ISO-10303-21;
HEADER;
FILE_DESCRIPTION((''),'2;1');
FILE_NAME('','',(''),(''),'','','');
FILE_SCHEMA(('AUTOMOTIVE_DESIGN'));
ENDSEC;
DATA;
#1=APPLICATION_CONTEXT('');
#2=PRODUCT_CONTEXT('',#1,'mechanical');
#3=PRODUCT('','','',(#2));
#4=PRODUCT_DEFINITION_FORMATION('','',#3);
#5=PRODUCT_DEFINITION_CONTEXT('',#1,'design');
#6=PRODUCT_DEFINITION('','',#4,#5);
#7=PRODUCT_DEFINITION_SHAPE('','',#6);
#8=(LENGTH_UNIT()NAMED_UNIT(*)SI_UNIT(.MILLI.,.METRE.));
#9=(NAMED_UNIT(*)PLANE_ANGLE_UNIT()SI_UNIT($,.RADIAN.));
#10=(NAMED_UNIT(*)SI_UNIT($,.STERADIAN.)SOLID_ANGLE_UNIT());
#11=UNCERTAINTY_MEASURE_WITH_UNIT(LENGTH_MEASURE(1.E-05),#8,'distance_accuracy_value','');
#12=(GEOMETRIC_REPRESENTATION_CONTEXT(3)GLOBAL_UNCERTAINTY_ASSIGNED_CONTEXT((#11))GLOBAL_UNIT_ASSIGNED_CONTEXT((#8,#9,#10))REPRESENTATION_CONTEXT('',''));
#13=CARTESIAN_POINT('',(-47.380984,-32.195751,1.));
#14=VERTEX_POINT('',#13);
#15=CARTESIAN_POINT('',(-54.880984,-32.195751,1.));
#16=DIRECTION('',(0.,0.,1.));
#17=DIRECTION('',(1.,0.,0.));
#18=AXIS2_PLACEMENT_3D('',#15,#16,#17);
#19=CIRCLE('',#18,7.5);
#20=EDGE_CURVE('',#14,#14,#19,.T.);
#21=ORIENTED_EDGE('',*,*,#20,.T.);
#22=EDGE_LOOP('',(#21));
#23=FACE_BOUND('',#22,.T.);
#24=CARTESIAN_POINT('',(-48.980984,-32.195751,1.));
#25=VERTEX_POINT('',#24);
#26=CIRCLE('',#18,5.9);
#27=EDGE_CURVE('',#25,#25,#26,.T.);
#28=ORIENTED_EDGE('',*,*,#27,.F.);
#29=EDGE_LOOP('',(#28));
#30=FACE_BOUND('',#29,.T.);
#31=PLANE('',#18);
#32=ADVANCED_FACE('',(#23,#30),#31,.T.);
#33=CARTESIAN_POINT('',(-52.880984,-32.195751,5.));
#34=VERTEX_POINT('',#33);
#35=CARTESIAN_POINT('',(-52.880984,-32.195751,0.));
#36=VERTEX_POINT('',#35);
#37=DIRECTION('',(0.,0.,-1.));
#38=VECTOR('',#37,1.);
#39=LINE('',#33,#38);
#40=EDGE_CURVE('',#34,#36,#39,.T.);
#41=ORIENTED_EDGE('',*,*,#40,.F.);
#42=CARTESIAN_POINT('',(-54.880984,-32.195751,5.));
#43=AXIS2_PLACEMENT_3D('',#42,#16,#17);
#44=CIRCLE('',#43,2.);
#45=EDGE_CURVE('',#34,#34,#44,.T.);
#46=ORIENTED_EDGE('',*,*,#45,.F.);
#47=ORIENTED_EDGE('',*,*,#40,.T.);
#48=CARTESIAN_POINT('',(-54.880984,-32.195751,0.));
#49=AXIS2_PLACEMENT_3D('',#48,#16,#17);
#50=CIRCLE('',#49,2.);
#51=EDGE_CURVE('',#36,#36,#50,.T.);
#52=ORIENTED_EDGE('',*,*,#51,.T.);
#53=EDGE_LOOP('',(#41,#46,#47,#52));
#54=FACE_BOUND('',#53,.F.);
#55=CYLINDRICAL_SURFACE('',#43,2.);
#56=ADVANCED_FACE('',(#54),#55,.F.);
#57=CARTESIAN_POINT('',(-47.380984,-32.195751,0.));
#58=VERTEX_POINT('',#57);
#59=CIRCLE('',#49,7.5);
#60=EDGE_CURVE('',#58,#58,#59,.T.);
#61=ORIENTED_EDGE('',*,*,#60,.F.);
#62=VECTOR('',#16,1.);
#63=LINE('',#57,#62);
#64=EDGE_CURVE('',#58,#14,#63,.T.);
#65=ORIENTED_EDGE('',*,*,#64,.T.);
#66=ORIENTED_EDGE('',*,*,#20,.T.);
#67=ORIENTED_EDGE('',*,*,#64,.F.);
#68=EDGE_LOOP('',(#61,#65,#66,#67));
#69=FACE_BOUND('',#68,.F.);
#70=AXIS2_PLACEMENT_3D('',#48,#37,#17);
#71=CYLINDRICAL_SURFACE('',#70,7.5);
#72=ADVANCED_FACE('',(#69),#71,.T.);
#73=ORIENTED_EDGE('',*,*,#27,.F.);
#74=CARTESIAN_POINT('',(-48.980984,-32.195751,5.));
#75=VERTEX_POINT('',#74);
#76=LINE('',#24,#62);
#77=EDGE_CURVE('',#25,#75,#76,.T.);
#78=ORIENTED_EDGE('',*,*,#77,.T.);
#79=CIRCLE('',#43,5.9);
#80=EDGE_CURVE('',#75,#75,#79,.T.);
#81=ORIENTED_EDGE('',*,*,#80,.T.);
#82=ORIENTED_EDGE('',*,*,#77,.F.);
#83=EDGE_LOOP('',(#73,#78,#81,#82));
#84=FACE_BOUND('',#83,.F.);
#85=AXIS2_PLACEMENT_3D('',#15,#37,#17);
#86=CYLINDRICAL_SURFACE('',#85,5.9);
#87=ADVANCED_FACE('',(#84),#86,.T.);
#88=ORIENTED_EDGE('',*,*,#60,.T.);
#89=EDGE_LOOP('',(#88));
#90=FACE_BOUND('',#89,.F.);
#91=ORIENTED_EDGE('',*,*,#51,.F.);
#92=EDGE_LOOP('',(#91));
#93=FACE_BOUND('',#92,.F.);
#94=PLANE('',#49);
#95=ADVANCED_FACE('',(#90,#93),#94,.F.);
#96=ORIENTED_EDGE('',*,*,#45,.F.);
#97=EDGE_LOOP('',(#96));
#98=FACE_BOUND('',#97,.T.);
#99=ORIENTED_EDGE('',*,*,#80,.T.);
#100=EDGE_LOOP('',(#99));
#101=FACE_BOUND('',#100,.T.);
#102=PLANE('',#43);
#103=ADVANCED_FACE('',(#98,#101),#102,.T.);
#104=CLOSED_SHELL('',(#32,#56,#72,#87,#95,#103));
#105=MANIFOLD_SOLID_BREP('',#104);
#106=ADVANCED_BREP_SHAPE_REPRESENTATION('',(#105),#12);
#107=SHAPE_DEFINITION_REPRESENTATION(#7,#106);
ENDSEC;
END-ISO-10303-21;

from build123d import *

# Parameters (mm, degrees)
F0_R     = 7.5
F1_DEPTH = 1
F2_R     = 5.9
F3_DEPTH = 4
F4_R     = 2
F5_DEPTH = 25


with BuildPart() as f1:
    # F0 (on Top) → F1 (new body)
    with BuildSketch(Plane.XY):
        with Locations((-54.880984, -32.195751)):
            Circle(F0_R)
    extrude(amount=F1_DEPTH)

    # F2 (on face) → F3 (join)
    with BuildSketch(Plane.XY.offset(1)):
        with Locations((-54.880984, -32.195751)):
            Circle(F2_R)
    extrude(amount=F3_DEPTH)

    # F4 (on face) → F5 (cut)
    with BuildSketch(Plane.XY.offset(5)):
        with Locations((-54.880984, -32.195751)):
            Circle(F4_R)
    extrude(amount=-F5_DEPTH, mode=Mode.SUBTRACT)


solid = f1.part
